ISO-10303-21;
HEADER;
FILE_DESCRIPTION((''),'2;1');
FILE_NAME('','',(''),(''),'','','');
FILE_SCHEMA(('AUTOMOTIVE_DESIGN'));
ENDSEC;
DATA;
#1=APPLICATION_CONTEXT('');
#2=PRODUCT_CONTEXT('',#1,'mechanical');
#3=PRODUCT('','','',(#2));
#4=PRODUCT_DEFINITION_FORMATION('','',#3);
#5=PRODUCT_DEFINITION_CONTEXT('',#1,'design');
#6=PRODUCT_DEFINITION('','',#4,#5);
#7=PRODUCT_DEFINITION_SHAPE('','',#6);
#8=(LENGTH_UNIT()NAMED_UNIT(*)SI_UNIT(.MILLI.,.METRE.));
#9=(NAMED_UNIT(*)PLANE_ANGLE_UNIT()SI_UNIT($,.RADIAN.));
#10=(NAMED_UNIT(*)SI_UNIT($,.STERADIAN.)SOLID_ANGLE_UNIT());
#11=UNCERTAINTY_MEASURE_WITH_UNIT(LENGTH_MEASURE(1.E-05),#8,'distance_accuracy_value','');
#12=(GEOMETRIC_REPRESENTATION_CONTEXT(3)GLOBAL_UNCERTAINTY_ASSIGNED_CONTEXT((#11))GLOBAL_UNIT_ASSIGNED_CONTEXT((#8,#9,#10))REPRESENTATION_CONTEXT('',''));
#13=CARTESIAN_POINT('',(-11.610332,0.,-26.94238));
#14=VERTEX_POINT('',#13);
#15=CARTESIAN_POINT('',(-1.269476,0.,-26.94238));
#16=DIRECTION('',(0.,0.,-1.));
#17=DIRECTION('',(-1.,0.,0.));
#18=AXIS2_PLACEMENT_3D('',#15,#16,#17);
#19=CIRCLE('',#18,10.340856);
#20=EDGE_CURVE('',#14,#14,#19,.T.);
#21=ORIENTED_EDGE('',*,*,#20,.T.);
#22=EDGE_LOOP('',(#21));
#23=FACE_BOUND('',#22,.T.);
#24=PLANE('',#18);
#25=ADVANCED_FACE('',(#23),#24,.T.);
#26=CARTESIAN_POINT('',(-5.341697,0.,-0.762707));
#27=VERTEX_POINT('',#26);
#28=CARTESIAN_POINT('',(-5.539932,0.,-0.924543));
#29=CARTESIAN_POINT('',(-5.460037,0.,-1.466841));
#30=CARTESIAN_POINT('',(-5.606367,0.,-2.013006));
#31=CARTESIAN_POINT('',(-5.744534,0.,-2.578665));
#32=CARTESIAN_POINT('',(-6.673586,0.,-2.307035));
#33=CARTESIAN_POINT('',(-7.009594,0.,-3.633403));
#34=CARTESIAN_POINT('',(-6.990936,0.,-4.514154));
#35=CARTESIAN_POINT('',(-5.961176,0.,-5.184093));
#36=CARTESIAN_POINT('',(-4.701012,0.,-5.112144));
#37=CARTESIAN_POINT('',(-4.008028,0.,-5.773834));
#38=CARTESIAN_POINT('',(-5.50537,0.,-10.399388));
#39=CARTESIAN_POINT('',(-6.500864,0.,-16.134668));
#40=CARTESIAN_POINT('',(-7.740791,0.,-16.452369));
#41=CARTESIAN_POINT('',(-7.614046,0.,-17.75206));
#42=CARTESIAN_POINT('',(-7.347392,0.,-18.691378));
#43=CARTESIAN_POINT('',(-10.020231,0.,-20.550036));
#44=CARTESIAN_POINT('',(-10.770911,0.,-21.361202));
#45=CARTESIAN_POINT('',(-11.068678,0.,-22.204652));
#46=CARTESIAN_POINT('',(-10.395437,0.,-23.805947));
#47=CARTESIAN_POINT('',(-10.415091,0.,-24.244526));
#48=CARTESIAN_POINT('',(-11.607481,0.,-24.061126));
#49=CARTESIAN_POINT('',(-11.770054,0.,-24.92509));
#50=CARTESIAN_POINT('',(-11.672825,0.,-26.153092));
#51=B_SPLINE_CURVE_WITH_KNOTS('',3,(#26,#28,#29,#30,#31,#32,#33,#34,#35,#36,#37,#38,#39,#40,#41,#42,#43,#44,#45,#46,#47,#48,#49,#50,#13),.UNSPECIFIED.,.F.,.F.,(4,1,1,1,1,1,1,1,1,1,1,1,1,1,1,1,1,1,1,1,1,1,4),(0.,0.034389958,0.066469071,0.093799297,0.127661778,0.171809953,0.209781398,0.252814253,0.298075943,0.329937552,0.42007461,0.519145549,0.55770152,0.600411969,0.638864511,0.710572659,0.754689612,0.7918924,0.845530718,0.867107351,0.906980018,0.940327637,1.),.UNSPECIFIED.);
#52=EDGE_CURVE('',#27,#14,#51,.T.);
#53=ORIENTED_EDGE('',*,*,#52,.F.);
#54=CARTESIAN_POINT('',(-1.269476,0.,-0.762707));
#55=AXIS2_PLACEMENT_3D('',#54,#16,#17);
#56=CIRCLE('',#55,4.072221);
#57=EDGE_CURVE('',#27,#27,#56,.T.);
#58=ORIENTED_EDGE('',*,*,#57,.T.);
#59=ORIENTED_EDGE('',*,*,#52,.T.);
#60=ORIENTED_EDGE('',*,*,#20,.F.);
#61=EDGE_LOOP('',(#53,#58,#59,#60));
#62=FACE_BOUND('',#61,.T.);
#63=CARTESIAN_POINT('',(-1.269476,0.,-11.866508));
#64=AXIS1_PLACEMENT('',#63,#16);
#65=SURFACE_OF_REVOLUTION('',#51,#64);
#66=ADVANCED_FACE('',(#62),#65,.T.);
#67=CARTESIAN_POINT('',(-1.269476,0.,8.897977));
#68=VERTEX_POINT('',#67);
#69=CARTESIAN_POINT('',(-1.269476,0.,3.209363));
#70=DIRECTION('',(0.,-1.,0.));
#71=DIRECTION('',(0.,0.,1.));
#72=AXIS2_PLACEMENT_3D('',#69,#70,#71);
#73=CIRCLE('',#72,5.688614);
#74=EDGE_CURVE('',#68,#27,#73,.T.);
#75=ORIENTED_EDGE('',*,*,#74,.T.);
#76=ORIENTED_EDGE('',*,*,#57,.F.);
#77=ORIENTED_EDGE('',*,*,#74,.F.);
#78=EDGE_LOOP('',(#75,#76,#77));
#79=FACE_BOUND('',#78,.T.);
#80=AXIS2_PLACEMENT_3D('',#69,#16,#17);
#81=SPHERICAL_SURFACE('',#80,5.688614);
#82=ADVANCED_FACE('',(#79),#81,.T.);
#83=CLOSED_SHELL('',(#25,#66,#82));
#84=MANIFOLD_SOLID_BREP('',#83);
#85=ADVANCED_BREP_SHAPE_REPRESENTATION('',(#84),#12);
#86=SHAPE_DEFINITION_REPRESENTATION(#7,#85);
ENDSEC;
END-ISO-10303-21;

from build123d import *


with BuildPart() as f1:
    # F0 (on Front) → F1 (revolve)
    with BuildSketch(Plane.XZ):
        with BuildLine():
            Line((-1.269476139, 3.2093630469), (-1.269476139, 8.8979768709))
            ThreePointArc((-1.269476139, 8.8979768709), (-6.5114176213, 5.4189731336), (-5.3416972922, -0.7627072091))
            add(Edge.make_bspline(
                [(-5.3416972922, -0.7627072091), (-5.5399321399, -0.9245425062), (-5.4600374964, -1.4668414774), (-5.6063671111, -2.0130056032), (-5.744534275, -2.5786645594), (-6.6735861114, -2.3070345952), (-7.009594367, -3.6334031013), (-6.9909361273, -4.5141543041), (-5.9611761984, -5.1840929276), (-4.7010116642, -5.1121444029), (-4.008028213, -5.7738338422), (-5.5053701384, -10.39938754), (-6.5008641224, -16.134667822), (-7.7407905367, -16.4523688107), (-7.6140461528, -17.7520600278), (-7.3473919891, -18.6913777417), (-10.0202313941, -20.5500359986), (-10.7709107496, -21.3612019704), (-11.0686778053, -22.2046521419), (-10.395437016, -23.8059470794), (-10.415091107, -24.2445255651), (-11.6074806699, -24.0611263535), (-11.7700539463, -24.925090324), (-11.6728250268, -26.1530923506), (-11.6103319451, -26.9423797727)],
                knots=[0, 0, 0, 0, 0.0343899581, 0.0664690714, 0.0937992973, 0.1276617783, 0.1718099533, 0.2097813976, 0.252814253, 0.2980759429, 0.3299375522, 0.4200746099, 0.5191455494, 0.5577015199, 0.6004119688, 0.6388645112, 0.7105726594, 0.754689612, 0.7918923999, 0.8455307183, 0.8671073508, 0.9069800183, 0.9403276368, 1, 1, 1, 1], degree=3))
            Line((-11.6103319451, -26.9423797727), (-1.269476139, -26.9423797727))
            Line((-1.269476139, -26.9423797727), (-1.269476139, 3.2093630469))
        make_face()
    revolve(axis=Axis((-1.269476139, 0, -11.8665083629), (0, 0, -1)))


solid = f1.part
